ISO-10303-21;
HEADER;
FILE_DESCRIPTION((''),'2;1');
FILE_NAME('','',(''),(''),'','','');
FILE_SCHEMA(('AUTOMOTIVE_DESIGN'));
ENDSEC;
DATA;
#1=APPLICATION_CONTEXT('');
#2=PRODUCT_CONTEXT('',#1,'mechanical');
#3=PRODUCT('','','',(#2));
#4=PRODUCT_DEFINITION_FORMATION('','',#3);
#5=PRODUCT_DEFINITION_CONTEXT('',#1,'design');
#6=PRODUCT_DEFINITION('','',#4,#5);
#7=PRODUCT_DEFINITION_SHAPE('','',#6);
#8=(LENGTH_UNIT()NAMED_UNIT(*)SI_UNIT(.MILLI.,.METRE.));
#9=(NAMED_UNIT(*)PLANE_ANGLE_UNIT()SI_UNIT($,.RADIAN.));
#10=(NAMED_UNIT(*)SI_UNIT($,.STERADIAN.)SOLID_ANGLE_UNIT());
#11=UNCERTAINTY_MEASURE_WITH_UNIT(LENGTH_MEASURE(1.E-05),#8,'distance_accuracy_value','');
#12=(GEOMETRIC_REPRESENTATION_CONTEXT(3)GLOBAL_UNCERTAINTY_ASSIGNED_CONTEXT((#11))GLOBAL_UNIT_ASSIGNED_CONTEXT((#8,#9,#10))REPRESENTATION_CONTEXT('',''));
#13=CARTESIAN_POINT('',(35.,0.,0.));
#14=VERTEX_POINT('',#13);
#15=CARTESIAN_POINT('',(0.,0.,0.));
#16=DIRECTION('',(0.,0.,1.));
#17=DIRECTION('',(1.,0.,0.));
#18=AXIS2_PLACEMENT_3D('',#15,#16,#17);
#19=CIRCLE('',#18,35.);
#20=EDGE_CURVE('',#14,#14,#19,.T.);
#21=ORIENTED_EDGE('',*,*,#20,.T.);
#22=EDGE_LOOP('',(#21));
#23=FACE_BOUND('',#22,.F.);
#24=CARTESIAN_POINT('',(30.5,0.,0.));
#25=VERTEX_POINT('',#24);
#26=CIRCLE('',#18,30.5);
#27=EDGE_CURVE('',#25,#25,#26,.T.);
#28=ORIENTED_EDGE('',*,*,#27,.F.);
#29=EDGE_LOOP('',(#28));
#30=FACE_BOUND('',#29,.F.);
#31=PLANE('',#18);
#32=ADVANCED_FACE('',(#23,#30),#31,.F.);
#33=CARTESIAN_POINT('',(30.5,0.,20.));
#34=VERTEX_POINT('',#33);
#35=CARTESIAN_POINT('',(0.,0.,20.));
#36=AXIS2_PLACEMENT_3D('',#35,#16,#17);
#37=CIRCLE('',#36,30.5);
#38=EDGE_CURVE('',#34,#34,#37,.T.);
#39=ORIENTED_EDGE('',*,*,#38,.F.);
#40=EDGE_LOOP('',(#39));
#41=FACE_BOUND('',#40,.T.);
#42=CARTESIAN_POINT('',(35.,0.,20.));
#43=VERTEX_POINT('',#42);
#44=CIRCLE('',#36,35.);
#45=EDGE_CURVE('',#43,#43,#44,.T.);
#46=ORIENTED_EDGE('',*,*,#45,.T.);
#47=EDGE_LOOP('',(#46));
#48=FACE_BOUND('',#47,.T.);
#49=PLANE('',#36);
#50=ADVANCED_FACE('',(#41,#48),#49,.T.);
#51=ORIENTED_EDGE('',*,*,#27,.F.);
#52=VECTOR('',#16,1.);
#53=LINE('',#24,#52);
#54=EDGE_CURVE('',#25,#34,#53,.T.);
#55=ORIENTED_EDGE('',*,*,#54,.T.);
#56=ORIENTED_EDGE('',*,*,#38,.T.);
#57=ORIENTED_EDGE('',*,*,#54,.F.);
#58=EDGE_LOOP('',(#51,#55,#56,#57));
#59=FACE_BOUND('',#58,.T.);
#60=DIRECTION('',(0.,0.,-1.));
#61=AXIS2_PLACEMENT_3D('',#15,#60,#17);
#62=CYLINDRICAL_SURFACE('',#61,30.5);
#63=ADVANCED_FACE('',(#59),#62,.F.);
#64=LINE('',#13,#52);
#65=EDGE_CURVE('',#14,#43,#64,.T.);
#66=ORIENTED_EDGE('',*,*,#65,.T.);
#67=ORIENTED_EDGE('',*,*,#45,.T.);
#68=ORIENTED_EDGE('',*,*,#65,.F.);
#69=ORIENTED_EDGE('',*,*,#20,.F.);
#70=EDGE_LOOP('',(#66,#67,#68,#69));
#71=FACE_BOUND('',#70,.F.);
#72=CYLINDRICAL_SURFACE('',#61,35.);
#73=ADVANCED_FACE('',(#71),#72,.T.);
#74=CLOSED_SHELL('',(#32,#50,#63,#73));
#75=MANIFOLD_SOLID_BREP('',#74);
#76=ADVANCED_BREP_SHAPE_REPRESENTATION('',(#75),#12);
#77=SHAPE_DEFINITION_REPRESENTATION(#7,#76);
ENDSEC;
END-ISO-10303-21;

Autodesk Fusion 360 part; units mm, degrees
sketch "Sketch1" plane through (0, 0, 0) normal (0, 0, 1) x (1, 0, 0)
  circle A0 centre (0, 0) radius 30.5
  circle A1 centre (0, 0) radius 35
  dimension "d1" = 61
  dimension "d2" = 70
extrude "Extrude1" add sketch "Sketch1" along normal blind 20
